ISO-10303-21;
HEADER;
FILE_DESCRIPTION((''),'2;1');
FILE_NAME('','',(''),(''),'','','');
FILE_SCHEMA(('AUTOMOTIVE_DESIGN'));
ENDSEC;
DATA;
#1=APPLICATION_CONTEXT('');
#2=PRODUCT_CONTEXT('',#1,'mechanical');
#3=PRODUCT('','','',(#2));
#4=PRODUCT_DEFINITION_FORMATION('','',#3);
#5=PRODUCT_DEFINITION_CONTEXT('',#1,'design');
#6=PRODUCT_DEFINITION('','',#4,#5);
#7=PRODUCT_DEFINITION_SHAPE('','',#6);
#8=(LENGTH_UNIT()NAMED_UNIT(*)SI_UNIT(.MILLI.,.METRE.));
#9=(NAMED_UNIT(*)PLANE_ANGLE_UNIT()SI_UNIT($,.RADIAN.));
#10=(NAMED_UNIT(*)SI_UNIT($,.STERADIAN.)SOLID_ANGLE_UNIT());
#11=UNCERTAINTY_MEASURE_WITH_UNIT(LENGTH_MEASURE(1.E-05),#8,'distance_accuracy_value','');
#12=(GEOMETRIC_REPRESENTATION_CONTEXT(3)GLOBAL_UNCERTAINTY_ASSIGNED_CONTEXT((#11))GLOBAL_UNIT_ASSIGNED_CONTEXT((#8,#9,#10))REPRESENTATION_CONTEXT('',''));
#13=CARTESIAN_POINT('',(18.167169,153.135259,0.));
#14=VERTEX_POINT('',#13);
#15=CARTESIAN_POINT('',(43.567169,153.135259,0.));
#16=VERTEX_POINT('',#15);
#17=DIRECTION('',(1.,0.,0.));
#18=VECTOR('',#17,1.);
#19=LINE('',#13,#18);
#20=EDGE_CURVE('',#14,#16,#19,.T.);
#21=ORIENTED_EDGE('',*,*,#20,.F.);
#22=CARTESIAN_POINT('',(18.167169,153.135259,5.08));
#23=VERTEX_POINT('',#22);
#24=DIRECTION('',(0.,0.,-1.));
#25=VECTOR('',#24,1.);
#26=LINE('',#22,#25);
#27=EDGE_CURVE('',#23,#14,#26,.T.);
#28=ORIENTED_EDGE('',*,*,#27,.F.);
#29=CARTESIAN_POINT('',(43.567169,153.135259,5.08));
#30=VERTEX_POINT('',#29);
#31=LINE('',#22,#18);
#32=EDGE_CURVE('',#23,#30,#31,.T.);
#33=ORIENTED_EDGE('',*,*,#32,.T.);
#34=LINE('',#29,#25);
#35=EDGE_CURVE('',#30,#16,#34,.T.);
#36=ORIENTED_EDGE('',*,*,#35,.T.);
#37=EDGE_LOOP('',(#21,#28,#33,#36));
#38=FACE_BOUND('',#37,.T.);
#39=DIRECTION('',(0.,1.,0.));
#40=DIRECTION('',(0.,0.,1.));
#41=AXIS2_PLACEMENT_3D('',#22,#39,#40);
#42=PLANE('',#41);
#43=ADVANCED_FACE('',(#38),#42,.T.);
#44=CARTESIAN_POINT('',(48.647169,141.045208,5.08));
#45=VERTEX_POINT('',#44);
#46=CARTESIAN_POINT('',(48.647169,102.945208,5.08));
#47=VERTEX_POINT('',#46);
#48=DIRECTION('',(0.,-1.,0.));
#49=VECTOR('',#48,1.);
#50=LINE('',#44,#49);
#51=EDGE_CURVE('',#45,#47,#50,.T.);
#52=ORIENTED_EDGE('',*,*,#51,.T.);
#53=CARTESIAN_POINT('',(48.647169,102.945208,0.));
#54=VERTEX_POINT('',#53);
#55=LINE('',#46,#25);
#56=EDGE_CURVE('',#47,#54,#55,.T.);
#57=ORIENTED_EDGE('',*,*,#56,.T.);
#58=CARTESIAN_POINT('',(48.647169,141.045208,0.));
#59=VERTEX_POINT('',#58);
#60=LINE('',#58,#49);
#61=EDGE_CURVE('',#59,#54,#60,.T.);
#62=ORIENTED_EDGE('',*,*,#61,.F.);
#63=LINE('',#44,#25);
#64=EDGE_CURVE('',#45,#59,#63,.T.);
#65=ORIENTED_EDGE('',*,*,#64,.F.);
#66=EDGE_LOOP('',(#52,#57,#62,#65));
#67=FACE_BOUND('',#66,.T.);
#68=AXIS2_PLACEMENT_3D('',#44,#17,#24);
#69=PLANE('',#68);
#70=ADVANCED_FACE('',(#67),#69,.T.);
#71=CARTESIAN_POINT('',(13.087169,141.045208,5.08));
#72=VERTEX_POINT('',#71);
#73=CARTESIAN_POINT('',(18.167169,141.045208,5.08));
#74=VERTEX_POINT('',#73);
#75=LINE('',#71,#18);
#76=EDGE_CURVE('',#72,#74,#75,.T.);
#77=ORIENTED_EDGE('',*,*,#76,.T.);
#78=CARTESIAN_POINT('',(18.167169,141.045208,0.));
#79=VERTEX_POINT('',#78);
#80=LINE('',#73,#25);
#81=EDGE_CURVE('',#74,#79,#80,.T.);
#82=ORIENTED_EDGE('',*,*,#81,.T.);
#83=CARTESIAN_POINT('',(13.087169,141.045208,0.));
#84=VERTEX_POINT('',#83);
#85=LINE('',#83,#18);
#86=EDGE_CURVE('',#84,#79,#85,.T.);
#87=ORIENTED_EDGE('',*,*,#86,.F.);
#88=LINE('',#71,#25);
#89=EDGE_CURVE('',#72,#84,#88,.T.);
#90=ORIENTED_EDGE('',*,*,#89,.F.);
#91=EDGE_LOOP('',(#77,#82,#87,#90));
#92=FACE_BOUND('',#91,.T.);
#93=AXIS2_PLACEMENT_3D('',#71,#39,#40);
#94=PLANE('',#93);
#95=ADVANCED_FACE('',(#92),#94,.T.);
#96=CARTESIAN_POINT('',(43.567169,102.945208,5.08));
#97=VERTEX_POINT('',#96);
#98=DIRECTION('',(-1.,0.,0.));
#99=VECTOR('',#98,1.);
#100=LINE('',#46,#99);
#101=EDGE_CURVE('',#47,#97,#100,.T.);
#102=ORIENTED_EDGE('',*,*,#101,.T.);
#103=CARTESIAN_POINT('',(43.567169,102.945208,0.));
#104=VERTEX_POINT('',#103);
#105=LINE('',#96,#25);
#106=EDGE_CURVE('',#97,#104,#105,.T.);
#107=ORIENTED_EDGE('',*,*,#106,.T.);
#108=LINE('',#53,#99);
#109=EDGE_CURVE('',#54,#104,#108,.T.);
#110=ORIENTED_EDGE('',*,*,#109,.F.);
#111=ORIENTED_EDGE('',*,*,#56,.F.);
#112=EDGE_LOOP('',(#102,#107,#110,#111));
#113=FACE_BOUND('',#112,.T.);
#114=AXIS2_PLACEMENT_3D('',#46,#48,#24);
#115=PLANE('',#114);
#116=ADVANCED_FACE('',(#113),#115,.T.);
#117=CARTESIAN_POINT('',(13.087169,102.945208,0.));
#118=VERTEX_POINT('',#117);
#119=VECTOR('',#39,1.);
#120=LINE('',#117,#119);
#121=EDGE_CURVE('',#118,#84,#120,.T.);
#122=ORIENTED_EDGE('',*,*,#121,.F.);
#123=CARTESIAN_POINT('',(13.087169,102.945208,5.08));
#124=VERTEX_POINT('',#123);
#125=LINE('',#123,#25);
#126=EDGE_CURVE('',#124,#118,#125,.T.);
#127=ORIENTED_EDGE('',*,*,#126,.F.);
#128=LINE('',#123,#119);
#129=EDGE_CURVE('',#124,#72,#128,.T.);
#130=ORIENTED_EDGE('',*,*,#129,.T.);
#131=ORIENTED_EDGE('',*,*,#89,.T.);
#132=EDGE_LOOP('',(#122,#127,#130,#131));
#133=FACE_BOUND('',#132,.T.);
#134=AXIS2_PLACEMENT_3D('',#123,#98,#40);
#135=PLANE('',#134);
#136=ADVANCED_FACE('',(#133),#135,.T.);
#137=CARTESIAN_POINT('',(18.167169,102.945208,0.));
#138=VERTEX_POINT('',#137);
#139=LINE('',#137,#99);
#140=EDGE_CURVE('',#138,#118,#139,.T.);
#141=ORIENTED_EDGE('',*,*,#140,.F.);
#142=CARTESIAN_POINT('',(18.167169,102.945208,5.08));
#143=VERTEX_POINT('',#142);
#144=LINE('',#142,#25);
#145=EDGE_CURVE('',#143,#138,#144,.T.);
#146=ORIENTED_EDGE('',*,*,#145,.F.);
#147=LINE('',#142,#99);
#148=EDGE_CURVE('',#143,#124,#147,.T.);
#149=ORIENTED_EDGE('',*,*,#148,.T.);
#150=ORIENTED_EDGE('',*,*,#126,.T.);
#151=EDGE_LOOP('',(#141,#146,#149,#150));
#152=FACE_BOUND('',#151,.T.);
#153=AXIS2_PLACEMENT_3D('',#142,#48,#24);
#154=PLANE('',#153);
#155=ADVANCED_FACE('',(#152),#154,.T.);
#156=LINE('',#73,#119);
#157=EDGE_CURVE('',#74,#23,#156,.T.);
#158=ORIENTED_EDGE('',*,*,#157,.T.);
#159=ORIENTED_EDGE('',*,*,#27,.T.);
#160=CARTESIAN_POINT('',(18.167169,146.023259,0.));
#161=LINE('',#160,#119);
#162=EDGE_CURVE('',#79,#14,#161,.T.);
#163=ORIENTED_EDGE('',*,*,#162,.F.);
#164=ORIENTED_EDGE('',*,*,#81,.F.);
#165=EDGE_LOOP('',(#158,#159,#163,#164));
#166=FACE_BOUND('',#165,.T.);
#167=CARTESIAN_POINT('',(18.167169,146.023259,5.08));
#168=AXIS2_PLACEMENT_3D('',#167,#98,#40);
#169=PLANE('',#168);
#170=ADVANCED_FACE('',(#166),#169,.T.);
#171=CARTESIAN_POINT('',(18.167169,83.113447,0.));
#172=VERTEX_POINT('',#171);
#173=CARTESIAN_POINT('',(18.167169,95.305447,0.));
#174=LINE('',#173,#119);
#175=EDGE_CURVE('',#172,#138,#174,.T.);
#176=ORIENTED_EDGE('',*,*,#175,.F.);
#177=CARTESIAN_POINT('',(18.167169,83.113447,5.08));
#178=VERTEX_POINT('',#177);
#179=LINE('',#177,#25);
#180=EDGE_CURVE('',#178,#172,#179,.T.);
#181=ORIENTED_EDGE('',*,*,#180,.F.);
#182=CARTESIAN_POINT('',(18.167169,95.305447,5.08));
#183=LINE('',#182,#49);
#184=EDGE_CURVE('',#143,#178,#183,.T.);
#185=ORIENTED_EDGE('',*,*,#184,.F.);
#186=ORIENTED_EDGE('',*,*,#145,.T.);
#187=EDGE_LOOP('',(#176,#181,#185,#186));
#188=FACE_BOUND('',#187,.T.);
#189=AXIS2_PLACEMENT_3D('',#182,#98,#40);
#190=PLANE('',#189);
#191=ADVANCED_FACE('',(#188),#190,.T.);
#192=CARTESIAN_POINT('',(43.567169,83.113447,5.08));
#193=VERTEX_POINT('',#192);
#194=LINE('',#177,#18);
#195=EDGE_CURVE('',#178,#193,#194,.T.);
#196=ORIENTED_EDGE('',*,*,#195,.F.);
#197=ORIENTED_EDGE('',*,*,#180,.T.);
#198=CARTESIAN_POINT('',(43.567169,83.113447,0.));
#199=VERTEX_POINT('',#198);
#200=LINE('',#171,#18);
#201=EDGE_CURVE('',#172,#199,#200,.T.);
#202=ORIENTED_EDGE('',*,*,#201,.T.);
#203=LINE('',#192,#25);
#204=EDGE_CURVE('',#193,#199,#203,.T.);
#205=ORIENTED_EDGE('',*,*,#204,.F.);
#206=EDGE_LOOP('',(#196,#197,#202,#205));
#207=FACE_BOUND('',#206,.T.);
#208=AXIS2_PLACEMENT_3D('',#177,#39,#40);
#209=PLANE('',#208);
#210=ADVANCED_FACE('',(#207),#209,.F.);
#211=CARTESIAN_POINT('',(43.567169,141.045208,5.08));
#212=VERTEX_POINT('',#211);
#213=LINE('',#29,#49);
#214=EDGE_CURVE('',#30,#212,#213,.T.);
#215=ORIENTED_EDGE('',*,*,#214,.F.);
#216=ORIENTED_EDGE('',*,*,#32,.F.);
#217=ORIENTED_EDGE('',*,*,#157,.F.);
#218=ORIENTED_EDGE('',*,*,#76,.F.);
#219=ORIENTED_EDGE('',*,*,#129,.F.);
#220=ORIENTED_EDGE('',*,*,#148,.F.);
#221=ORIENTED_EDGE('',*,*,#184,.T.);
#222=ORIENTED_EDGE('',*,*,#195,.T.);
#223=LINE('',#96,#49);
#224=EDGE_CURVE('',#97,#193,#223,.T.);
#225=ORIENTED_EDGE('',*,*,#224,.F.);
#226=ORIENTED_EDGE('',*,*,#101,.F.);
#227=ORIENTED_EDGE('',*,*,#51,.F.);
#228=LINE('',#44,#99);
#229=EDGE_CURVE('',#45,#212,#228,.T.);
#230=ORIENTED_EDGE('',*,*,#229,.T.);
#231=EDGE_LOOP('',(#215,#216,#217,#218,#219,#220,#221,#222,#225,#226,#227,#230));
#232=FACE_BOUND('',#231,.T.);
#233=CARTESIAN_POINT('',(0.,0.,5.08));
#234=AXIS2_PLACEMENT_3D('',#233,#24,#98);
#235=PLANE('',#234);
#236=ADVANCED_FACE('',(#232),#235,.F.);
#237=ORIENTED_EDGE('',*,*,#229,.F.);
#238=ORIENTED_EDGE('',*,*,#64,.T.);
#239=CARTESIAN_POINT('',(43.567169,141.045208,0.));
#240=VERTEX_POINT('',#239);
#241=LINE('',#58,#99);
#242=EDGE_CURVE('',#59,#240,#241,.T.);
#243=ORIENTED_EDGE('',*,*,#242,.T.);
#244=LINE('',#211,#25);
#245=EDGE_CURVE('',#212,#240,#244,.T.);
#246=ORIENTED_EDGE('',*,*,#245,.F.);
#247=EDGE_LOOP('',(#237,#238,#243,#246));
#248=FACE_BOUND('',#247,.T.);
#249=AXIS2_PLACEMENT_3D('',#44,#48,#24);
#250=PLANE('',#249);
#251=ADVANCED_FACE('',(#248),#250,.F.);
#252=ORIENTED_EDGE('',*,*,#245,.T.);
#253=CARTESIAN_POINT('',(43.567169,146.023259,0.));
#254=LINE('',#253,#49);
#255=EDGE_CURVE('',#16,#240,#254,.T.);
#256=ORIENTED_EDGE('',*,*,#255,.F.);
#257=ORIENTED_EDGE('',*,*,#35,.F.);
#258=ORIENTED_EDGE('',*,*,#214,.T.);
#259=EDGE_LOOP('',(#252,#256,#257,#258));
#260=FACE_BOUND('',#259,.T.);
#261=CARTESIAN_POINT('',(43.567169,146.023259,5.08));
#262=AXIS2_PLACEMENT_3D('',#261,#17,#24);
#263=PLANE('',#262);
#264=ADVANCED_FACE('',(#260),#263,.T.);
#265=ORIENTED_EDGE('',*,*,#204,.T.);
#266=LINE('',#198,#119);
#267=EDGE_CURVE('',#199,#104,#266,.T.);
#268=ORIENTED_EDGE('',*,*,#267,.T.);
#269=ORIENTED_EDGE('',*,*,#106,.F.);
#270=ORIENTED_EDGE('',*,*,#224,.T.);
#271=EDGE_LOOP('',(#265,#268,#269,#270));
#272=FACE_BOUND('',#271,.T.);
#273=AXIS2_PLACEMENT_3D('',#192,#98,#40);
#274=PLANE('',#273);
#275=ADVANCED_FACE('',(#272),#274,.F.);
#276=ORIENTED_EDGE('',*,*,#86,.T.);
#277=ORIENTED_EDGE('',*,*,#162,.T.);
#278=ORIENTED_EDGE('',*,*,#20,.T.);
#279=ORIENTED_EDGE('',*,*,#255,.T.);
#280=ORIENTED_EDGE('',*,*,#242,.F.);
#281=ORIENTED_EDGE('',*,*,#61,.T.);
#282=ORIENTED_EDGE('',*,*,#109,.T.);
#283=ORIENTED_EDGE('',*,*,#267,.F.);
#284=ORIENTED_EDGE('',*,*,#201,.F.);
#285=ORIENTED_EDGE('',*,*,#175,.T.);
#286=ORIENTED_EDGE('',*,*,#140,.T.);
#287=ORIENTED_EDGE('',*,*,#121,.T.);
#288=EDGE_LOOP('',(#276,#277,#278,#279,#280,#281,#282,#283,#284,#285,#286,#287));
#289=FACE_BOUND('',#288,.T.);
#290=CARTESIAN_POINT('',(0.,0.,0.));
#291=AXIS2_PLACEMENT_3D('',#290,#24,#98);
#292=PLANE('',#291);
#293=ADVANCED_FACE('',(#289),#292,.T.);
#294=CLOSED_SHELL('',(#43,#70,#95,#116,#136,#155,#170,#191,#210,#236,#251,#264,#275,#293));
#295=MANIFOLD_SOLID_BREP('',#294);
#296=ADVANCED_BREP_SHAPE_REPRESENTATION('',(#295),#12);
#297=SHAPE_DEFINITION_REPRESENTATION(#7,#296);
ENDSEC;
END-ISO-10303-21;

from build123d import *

# Parameters (mm, degrees)
BOSS_EXTRUDE1_DEPTH = 5.08


with BuildPart() as part:
    # Sketch1 → Boss-Extrude1 (new body)
    with BuildSketch(Plane.XY):
        Polygon((48.647168791, 141.045208253), (43.567168791, 141.045208253), (43.567168791, 146.023259367), (43.567168791, 153.135259367), (18.167168791, 153.135259367), (18.167168791, 146.023259367), (18.167168791, 141.045208253), (13.087168791, 141.045208253), (13.087168791, 102.945208253), (18.167168791, 102.945208253), (18.167168791, 95.305446869), (18.167168791, 83.113446869), (43.567168791, 83.113446869), (43.567168791, 95.305446869), (43.567168791, 102.945208253), (48.647168791, 102.945208253), align=None)
    extrude(amount=BOSS_EXTRUDE1_DEPTH)


solid = part.part
